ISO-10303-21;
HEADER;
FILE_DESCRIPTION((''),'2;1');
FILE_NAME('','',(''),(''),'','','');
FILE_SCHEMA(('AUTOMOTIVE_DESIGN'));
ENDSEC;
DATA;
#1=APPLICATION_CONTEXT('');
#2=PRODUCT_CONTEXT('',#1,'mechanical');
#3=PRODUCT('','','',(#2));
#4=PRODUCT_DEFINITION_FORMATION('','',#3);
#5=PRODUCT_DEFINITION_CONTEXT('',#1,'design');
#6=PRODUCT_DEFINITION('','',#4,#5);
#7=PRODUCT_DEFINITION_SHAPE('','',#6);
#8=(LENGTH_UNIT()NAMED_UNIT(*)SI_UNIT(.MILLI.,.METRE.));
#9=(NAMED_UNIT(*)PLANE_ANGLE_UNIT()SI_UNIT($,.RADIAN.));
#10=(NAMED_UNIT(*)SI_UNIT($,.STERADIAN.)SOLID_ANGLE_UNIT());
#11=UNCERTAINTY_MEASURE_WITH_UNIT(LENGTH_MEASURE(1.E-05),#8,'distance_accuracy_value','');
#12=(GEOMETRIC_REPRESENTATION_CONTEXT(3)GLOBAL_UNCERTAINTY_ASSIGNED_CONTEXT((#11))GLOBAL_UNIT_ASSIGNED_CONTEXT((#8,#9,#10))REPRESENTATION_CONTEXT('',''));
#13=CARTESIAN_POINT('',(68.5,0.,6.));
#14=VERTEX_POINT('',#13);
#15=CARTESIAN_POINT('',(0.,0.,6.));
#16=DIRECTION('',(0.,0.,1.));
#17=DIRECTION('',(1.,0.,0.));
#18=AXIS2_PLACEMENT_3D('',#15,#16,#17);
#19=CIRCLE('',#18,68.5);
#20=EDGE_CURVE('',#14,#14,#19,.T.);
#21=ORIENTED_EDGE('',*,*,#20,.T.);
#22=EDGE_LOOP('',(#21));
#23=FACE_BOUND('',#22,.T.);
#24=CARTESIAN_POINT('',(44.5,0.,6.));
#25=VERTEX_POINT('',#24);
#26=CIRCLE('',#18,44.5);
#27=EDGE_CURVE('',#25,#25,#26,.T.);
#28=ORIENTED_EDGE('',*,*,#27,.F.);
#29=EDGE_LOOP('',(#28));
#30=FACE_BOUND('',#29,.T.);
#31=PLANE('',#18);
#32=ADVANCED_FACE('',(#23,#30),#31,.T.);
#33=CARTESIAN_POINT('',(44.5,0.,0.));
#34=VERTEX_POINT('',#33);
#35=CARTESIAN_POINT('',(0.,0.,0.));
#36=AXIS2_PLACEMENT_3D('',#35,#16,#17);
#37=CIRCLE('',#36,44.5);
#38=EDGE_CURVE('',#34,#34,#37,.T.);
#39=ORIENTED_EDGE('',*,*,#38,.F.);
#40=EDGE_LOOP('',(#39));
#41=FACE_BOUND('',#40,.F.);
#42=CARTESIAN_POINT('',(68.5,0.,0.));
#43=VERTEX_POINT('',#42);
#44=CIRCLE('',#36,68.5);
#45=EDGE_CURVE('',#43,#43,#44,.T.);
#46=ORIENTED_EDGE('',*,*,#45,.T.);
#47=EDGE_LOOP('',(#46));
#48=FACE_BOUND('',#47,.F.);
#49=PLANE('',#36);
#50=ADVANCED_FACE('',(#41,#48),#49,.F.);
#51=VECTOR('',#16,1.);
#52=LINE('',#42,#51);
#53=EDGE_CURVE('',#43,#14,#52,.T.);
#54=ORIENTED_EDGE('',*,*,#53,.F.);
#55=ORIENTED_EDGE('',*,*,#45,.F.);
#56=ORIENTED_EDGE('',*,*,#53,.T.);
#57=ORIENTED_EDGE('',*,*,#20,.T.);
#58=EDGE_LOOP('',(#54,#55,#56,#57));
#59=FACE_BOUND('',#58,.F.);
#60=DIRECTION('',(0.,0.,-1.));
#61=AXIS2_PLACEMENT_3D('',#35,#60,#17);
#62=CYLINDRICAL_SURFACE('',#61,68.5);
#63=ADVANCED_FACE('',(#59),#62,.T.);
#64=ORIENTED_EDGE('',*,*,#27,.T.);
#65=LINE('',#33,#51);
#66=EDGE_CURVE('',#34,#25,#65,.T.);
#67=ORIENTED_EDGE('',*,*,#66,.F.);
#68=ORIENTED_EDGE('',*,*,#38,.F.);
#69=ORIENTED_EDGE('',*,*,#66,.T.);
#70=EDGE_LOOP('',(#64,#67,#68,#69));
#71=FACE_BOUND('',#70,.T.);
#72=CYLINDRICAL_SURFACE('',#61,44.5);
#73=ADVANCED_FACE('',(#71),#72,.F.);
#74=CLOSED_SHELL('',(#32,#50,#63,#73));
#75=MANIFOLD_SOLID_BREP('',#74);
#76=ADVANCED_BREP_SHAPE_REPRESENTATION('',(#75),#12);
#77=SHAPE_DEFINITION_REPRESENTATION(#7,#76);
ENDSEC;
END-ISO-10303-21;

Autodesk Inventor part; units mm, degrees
ref_plane "YZ Plane" through (0, 0, 0) normal (1, 0, 0) x (0, 1, 0)
ref_plane "XZ Plane" through (0, 0, 0) normal (0, 1, 0) x (-1, 0, 0)
ref_plane "XY Plane" through (0, 0, 0) normal (0, 0, 1) x (1, 0, 0)
sketch "Sketch2" plane through (0, 0, 0) normal (0, 0, 1) x (1, 0, 0)
  circle A0 centre (0, 0) radius 44.5
  circle A1 centre (0, 0) radius 68.5
  dimension "d25" = 89
  dimension "d29" = 24
extrude "Plate2" add sketch "Sketch2" along normal blind 6
equation "\"d14\" = Thickness"
equation "\"BendReliefWidth\" = Thickness"
equation "\"BendReliefDepth\" = 0.5 * Thickness"
equation "\"CornerReliefSize\" = 4 * Thickness"
equation "\"MinimumRemnant\" = 2 * Thickness"
equation "\"TransitionRadius\" = BendRadius"
equation "\"JacobiRadiusSize\" = BendRadius"
equation "\"GapSize\" = Thickness"
equation "\"Thickness\" = 6"
equation "\"BendRadius\" = 6"
properties part number "PRS 1200-32 FDS free flange DN90" material "Steel"
